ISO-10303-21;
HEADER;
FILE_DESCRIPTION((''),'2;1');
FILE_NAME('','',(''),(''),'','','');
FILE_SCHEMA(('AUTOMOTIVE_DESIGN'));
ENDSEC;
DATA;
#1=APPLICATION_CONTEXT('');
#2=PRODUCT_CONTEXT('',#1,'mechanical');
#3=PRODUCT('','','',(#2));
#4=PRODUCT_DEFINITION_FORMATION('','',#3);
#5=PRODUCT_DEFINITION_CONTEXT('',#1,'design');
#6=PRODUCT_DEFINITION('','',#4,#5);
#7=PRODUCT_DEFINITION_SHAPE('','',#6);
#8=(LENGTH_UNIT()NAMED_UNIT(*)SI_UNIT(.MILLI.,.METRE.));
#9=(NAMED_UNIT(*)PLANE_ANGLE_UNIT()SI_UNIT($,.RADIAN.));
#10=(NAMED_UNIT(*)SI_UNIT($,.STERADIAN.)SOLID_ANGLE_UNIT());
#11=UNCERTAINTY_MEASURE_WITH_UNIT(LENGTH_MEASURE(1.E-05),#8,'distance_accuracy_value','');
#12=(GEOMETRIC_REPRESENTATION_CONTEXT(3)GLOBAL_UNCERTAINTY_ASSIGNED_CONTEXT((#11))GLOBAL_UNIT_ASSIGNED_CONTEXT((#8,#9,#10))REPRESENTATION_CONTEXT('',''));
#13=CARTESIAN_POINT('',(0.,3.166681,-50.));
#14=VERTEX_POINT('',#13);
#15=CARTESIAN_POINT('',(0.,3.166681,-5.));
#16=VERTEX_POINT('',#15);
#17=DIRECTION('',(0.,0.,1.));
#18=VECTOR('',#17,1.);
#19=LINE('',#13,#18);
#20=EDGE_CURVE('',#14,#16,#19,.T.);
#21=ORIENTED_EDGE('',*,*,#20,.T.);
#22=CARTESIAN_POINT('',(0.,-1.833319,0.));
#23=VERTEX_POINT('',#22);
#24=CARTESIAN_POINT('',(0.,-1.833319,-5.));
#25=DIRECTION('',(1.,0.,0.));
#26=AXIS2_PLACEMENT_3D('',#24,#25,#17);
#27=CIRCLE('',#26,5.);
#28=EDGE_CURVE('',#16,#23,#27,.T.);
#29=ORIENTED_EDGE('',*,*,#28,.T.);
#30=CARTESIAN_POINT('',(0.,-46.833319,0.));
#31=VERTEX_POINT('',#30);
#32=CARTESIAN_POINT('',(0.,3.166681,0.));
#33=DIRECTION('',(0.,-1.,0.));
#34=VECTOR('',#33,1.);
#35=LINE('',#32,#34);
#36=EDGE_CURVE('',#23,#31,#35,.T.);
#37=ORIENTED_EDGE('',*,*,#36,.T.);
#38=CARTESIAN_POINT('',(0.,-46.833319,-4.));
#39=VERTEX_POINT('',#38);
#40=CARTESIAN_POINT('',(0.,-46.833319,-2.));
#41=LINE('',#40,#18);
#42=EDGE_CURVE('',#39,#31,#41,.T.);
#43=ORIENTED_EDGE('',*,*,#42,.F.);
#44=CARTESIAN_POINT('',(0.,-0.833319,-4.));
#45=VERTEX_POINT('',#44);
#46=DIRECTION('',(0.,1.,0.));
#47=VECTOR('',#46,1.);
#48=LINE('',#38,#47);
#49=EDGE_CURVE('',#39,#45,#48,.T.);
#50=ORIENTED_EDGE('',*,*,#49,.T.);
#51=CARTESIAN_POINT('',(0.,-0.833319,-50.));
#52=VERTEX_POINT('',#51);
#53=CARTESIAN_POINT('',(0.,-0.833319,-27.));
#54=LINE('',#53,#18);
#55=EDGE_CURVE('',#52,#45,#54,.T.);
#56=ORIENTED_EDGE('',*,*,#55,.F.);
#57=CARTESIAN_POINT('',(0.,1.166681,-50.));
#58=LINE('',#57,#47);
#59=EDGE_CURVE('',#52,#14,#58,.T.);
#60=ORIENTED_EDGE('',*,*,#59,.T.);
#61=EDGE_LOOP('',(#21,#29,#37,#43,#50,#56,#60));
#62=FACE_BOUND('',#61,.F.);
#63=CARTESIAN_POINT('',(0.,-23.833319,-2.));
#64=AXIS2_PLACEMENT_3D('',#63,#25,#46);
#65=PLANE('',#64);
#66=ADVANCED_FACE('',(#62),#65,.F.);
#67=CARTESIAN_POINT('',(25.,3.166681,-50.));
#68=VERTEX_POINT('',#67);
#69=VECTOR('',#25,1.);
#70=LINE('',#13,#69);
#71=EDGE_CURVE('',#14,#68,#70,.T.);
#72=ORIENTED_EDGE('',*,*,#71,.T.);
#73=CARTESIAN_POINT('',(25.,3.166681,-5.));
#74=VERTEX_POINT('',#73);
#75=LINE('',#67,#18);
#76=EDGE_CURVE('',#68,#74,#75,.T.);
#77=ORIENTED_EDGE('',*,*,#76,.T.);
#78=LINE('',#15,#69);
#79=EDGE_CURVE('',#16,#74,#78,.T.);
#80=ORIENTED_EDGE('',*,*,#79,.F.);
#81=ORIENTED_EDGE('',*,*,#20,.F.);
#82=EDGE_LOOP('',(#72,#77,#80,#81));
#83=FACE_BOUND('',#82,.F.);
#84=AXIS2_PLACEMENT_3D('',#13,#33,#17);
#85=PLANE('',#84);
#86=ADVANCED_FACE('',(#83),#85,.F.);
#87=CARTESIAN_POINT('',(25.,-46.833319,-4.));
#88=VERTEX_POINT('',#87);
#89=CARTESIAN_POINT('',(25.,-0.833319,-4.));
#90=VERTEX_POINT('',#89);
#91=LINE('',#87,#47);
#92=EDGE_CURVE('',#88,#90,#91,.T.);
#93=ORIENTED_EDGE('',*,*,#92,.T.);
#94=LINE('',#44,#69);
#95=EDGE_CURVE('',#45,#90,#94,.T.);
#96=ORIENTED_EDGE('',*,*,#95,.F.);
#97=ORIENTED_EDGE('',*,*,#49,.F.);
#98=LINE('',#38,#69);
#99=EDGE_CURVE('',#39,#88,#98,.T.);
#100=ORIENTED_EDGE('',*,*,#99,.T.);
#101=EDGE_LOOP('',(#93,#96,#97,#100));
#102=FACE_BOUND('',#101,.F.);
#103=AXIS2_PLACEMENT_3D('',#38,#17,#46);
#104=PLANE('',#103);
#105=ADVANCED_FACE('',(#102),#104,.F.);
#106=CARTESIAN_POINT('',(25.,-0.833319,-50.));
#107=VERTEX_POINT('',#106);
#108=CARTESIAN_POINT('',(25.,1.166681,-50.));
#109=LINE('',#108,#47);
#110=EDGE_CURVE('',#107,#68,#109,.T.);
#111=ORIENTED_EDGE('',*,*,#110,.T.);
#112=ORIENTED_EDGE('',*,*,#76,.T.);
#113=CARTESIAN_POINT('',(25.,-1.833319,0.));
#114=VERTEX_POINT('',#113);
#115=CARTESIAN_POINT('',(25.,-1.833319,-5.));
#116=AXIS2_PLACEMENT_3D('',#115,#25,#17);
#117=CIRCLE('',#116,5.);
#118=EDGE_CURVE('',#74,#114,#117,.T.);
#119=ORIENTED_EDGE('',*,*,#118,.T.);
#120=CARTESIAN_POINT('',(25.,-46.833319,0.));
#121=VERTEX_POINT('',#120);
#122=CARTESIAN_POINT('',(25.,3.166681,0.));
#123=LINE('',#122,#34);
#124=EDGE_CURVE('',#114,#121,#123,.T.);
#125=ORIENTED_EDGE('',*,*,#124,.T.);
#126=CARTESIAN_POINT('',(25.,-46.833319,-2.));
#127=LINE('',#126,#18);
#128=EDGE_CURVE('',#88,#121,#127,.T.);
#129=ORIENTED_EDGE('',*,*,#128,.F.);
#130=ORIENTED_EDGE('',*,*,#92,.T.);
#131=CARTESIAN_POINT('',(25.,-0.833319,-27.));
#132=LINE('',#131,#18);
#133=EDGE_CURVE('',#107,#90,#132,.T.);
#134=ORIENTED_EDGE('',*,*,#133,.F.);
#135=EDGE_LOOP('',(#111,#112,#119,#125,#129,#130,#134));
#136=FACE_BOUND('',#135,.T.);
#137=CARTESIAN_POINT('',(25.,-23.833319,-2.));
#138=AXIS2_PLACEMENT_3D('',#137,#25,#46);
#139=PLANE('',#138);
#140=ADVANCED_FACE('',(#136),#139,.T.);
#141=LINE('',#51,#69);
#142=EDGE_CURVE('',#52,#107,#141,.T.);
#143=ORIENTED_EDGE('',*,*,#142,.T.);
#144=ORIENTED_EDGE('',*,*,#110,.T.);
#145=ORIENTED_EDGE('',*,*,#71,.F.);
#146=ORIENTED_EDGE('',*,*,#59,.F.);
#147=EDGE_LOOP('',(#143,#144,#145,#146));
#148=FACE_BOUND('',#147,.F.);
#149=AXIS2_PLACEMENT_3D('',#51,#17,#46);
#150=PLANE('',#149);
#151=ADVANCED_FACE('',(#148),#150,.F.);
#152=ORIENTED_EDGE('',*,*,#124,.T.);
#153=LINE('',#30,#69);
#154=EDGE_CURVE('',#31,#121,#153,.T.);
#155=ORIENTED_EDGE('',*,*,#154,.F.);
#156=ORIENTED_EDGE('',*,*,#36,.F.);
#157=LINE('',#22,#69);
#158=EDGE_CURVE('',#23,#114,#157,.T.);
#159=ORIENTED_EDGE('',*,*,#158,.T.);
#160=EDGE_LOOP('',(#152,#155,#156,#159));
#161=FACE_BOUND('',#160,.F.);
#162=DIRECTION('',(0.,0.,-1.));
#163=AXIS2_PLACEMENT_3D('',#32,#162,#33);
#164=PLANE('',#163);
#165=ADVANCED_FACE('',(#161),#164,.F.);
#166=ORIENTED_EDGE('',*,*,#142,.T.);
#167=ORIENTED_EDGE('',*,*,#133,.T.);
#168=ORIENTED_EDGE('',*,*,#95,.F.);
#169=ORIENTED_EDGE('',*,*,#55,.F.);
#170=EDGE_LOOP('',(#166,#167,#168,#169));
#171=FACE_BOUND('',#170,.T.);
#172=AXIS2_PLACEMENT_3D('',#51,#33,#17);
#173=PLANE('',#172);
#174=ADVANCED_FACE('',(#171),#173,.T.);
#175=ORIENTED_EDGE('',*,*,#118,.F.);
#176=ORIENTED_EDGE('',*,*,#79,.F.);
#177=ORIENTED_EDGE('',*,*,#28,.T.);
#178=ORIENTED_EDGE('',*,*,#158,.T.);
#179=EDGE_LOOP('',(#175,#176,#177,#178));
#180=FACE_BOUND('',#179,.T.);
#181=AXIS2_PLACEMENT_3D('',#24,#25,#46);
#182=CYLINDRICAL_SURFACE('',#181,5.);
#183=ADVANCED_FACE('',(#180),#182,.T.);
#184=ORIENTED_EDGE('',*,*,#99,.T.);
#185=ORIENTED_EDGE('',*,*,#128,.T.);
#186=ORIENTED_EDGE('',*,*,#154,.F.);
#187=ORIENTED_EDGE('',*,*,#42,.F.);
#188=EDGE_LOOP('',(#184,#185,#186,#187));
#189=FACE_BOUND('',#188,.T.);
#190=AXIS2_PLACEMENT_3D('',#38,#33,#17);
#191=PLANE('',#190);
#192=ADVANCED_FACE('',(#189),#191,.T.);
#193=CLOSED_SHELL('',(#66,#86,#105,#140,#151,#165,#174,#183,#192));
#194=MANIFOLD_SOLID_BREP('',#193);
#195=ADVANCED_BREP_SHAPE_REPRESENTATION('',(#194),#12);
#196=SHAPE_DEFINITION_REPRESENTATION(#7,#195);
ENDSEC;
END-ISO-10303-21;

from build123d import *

# Parameters (mm, degrees)
F0_W     = 46
F0_H     = 4
F0_W_2   = 4
F0_H_2   = 46
F1_DEPTH = 25
F2_R     = 5


with BuildPart() as f1:
    # F0 (on Right) → F1 (new body)
    with BuildSketch(Plane.YZ):
        with Locations((-23.833319, -2)):
            Rectangle(F0_W, F0_H)
        with Locations((1.166681, -2)):
            Rectangle(F0_W_2, F0_H)
        with Locations((1.166681, -27)):
            Rectangle(F0_W_2, F0_H_2)
    extrude(amount=F1_DEPTH)

    # F2
    f2_edges = [f1.edges().sort_by_distance(p)[0] for p in [
        (12.5, 3.166681, 0),
    ]]
    fillet(f2_edges, radius=F2_R)


solid = f1.part
